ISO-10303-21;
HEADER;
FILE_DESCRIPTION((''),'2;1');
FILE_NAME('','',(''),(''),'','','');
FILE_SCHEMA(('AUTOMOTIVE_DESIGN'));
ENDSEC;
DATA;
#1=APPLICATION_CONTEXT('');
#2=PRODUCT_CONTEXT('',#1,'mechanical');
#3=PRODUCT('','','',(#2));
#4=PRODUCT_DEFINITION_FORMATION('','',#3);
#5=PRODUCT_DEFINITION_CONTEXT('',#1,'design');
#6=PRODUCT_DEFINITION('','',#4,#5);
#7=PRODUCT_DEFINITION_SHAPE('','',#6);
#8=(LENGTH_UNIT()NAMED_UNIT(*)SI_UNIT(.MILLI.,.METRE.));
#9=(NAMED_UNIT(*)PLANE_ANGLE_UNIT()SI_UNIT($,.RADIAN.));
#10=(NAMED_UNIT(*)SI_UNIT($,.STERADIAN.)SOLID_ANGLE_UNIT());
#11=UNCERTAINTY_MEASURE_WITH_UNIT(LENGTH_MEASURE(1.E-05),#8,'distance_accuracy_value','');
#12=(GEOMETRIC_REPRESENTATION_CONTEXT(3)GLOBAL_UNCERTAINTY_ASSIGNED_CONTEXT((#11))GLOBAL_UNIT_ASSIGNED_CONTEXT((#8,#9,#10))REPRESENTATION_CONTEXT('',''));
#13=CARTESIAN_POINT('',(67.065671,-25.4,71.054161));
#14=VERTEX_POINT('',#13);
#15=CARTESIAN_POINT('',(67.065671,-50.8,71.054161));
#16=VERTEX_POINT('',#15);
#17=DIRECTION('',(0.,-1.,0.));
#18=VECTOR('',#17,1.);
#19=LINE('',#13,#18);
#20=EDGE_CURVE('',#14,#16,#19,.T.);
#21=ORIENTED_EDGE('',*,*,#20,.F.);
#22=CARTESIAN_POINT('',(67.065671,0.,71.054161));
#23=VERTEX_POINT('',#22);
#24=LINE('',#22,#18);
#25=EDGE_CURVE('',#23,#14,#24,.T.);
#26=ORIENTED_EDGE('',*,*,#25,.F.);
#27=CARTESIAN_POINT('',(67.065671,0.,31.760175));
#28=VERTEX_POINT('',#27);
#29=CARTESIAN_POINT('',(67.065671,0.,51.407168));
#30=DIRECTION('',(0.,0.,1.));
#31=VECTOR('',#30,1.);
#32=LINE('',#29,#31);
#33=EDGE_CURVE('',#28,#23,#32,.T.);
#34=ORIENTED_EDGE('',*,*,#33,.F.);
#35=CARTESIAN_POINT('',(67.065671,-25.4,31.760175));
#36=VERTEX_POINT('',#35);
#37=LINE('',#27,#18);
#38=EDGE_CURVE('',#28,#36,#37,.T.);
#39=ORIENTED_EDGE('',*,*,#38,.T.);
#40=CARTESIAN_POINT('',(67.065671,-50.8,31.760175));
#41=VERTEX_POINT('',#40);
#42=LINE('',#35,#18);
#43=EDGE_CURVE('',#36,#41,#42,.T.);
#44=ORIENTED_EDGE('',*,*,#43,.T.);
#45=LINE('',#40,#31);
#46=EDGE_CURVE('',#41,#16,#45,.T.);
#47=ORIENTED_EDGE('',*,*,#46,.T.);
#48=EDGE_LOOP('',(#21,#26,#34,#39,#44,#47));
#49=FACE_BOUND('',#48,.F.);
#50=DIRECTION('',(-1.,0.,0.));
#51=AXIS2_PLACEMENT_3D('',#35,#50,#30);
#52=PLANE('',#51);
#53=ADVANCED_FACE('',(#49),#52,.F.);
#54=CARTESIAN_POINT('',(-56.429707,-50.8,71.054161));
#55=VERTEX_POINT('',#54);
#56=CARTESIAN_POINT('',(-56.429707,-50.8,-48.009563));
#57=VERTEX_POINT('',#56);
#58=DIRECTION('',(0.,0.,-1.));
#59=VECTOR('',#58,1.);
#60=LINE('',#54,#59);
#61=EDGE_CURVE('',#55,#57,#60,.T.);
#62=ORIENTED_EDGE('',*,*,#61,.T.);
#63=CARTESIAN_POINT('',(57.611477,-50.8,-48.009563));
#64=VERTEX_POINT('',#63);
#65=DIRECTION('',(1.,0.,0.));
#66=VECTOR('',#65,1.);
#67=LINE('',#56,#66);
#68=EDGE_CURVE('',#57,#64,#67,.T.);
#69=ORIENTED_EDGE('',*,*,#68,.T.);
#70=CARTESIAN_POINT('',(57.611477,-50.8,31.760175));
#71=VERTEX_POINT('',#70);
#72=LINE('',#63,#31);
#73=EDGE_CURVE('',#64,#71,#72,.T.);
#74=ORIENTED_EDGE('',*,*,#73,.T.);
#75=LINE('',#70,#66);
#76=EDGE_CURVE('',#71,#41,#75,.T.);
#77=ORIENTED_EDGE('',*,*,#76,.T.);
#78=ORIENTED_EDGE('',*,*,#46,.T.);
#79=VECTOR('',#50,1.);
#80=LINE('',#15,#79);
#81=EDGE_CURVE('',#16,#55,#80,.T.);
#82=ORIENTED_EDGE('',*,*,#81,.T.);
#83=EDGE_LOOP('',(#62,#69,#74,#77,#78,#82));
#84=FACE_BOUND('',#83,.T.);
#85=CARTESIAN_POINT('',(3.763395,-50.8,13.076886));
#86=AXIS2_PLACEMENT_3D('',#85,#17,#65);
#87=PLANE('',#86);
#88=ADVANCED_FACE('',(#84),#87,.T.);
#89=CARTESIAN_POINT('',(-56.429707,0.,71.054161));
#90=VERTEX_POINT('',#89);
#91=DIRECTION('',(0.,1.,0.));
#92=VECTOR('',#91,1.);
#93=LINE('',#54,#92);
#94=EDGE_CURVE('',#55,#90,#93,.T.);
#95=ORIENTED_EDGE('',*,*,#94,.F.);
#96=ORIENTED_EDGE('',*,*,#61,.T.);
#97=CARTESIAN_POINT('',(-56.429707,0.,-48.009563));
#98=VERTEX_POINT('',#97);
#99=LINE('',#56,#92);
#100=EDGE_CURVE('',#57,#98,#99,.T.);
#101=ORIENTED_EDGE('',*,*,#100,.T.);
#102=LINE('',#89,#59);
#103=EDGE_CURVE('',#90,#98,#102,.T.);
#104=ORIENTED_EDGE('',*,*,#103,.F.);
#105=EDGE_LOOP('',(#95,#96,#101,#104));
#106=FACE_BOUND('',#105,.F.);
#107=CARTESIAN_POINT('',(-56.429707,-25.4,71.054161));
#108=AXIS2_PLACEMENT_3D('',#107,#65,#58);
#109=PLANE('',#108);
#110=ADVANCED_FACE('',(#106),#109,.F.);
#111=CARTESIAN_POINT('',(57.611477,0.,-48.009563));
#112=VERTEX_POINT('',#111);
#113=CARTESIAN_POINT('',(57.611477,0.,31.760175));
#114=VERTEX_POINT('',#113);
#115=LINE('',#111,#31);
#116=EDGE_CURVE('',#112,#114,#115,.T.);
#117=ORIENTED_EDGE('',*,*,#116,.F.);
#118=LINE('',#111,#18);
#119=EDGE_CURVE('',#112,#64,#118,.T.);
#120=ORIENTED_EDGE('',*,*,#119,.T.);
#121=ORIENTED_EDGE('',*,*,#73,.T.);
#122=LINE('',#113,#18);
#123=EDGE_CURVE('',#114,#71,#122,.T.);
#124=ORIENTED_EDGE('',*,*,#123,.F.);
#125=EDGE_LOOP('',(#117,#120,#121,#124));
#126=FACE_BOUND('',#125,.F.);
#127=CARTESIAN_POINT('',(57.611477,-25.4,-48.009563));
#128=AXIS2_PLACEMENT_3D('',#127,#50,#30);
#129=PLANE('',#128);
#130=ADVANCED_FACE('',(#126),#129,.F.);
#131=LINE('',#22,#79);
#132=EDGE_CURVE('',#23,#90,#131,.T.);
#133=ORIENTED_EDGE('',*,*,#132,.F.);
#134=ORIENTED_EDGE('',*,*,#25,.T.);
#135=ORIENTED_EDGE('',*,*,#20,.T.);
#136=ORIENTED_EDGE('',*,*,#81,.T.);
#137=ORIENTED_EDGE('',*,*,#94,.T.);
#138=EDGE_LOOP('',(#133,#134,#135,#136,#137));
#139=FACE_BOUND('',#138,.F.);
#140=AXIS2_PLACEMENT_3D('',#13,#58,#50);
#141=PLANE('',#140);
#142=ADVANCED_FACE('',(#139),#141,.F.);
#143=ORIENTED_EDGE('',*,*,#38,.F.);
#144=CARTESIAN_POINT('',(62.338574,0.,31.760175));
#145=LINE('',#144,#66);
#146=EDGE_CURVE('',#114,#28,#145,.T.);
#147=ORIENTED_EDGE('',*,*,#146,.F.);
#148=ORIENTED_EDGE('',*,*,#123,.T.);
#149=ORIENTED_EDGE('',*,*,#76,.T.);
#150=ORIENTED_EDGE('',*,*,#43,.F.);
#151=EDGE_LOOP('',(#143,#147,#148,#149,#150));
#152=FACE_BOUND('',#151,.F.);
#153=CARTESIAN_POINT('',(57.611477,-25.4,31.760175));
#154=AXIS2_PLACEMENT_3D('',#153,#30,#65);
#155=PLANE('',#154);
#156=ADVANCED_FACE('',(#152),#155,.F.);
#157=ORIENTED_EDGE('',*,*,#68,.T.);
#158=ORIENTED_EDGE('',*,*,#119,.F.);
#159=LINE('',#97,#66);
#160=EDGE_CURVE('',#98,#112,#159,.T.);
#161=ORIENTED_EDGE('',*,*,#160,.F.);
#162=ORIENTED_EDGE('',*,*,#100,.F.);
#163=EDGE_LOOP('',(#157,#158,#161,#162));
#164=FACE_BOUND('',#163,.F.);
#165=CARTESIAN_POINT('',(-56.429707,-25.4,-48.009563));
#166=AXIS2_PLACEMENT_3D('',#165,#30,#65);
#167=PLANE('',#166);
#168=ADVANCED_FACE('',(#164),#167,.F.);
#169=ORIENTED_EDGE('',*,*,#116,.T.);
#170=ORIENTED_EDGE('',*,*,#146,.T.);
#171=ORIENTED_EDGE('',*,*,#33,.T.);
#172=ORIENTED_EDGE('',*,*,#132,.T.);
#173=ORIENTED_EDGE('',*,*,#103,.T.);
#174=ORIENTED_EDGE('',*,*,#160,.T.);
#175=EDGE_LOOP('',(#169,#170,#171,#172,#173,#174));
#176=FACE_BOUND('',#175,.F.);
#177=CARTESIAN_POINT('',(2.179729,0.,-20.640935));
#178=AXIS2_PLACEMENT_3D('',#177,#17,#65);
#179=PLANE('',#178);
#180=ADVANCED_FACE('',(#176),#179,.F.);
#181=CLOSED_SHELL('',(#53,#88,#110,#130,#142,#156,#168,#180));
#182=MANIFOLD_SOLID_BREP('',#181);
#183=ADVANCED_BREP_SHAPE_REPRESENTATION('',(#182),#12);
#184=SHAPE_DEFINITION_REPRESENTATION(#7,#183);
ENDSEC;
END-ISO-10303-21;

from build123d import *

# Parameters (mm, degrees)
F0_W     = 11.2268552184
F0_H     = 15.0676164776
F0_W_2   = 3.2498771325
F0_H_2   = 23.4877597541
F0_W_3   = 11.2268533558
F0_H_3   = 7.9769734293
F0_W_4   = 6.2043135986
F0_W_5   = 7.6815309003
F0_H_4   = 17.4311641604
F0_W_6   = 2.3635476828
F0_H_5   = 17.4311622977
F0_W_7   = 12.4086262658
F0_H_6   = 10.6359645724
F0_W_8   = 9.4541944563
F0_H_7   = 39.2939858139
F0_W_9   = 6.7952014506
F0_H_8   = 28.9534609765
F0_H_9   = 20.0901571661
F0_W_10  = 11.5222912282
F0_H_10  = 31.3170077279
F0_W_11  = 17.4311641604
F0_H_11  = 1.7726588994
F0_W_12  = 0.2954434603
F0_W_13  = 2.9544346035
F0_H_12  = 3.988484852
F0_H_13  = 1.4772191644
F0_W_14  = 2.3635486141
F0_H_14  = 0.5908887833
F1_DEPTH = 25.4
F3_DEPTH = 25.4


with BuildPart() as f1:
    # F0 (on Front) → F1 (new body)
    with BuildSketch(Plane.XZ):
        Polygon((46.3846214116, 12.55635079), (39.2939783633, 12.55635079), (39.2939783633, -8.7155802175), (39.2939783633, -24.6695280075), (39.2939783633, -26.1467471719), (39.2939783633, -43.5779094696), (36.9304306805, -43.5779094696), (36.9304306805, -26.1467471719), (17.1357225627, -26.1467471719), (14.7721739486, -26.1467471719), (13.8858417049, -26.1467471719), (13.8858417049, -27.9194060713), (-3.5453224555, -27.9194060713), (-3.5453224555, -26.1467471719), (-26.8853586167, -26.1467471719), (-26.8853586167, -22.6014237851), (-36.3395474851, -22.6014237851), (-36.3395474851, 26.4421943575), (-56.4297065139, 26.4421943575), (-56.4297065139, -48.0095632374), (7.6815309003, -48.0095632374), (7.6815309003, -37.373598665), (20.0901571661, -37.373598665), (20.0901571661, -48.0095632374), (57.61147663, -48.0095632374), (57.61147663, 16.6925583035), (46.3846214116, 16.6925583035), align=None)
        with Locations((51.9980490208, 24.2263665423)):
            Rectangle(F0_W, F0_H)
        with Locations((1.6249385662, 11.743879877)):
            Rectangle(F0_W_2, F0_H_2)
        Polygon((3.2498771325, 0), (0, 0), (-6.2043135986, 0), (-6.2043135986, 23.4877597541), (0, 23.4877597541), (0, 26.4421943575), (-19.7947137058, 26.4421943575), (-19.7947137058, 6.3520371914), (-20.0901571661, 6.3520371914), (-20.0901571661, -22.6014237851), (-26.8853586167, -22.6014237851), (-26.8853586167, -26.1467471719), (-3.5453224555, -26.1467471719), (-3.5453224555, -22.6014237851), (-9.158748202, -22.6014237851), (-9.158748202, -12.5563461334), (7.6815309003, -12.5563461334), (7.6815309003, -14.6244503558), (13.8858417049, -14.6244503558), (13.8858417049, -26.1467471719), (14.7721739486, -26.1467471719), (14.7721739486, -25.5558583885), (14.7721739486, -8.7155802175), (39.2939783633, -8.7155802175), (39.2939783633, 12.55635079), (27.7716871351, 12.55635079), (27.7716871351, 8.1246979535), (31.3170067966, 8.1246979535), (31.3170067966, -6.6474759951), (9.1587463394, -6.6474759951), (9.1587463394, 0), align=None)
        Polygon((-9.158748202, -22.6014237851), (-3.5453224555, -22.6014237851), (-3.5453224555, -14.6244503558), (7.6815309003, -14.6244503558), (7.6815309003, -12.5563461334), (-9.158748202, -12.5563461334), align=None)
        with Locations((2.0681042224, -18.6129370704)):
            Rectangle(F0_W_3, F0_H_3)
        Polygon((-20.0901571661, 26.4421943575), (-19.7947137058, 26.4421943575), (-19.7947137058, 54.5093230903), (-26.8853586167, 54.5093230903), (-26.8853586167, 26.4421943575), align=None)
        with Locations((-3.1021567993, 11.743879877)):
            Rectangle(F0_W_4, F0_H_2)
        with Locations((3.8407654501, 35.1577764377)):
            Rectangle(F0_W_5, F0_H_4)
        Polygon((24.8172525316, 0), (9.1587463394, 0), (9.1587463394, -6.6474759951), (31.3170067966, -6.6474759951), (31.3170067966, 8.1246979535), (27.7716871351, 8.1246979535), (27.7716871351, 0), (27.7716871351, -3.988484852), (24.8172525316, -3.988484852), align=None)
        with Locations((38.1122045219, -34.8623283207)):
            Rectangle(F0_W_6, F0_H_5)
        Polygon((9.1587463394, 8.1246979535), (9.1587463394, 0), (24.8172525316, 0), (27.7716871351, 0), (27.7716871351, 8.1246979535), align=None)
        with Locations((13.8858440332, -42.6915809512)):
            Rectangle(F0_W_7, F0_H_6)
        with Locations((62.3385738581, 51.407167688)):
            Rectangle(F0_W_8, F0_H_7)
        Polygon((3.2498771325, 23.4877597541), (3.2498771325, 0), (9.1587463394, 0), (9.1587463394, 8.1246979535), (27.7716871351, 8.1246979535), (27.7716871351, 12.55635079), (27.7716871351, 43.8733585179), (7.6815309003, 43.8733585179), (7.6815309003, 26.4421943575), (0, 26.4421943575), (0, 23.4877597541), align=None)
        with Locations((-23.4877578914, -8.1246932968)):
            Rectangle(F0_W_9, F0_H_8)
        Polygon((-26.8853586167, 6.3520371914), (-26.8853586167, 26.4421943575), (-36.3395474851, 26.4421943575), (-36.3395474851, -22.6014237851), (-26.8853586167, -22.6014237851), align=None)
        Polygon((-26.8853586167, 54.5093230903), (-19.7947137058, 54.5093230903), (7.6815309003, 54.5093230903), (7.6815309003, 61.5999698639), (-56.4297065139, 61.5999698639), (-56.4297065139, 26.4421943575), (-36.3395474851, 26.4421943575), (-26.8853586167, 26.4421943575), align=None)
        Polygon((-3.5453224555, -22.6014237851), (-3.5453224555, -26.1467471719), (13.8858417049, -26.1467471719), (13.8858417049, -14.6244503558), (7.6815309003, -14.6244503558), (7.6815309003, -22.6014237851), align=None)
        with Locations((-23.4877578914, 16.3971157745)):
            Rectangle(F0_W_9, F0_H_9)
        Polygon((39.2939783633, -24.6695280075), (39.2939783633, -8.7155802175), (14.7721739486, -8.7155802175), (14.7721739486, -25.5558583885), (17.1357225627, -25.5558583885), (17.1357225627, -26.1467471719), (36.9304306805, -26.1467471719), (36.9304306805, -24.6695280075), align=None)
        Polygon((39.2939783633, 43.8733585179), (39.2939783633, 12.55635079), (46.3846214116, 12.55635079), (46.3846214116, 16.6925583035), (46.3846214116, 31.7601747811), (46.3846214116, 43.8733585179), align=None)
        Polygon((7.6815309003, 61.5999698639), (7.6815309003, 54.5093230903), (39.2939783633, 54.5093230903), (39.2939783633, 43.8733585179), (46.3846214116, 43.8733585179), (46.3846214116, 31.7601747811), (57.61147663, 31.7601747811), (57.61147663, 71.0541605949), (-56.4297065139, 71.0541605949), (-56.4297065139, 61.5999698639), align=None)
        Polygon((7.6815309003, 54.5093230903), (7.6815309003, 43.8733585179), (27.7716871351, 43.8733585179), (39.2939783633, 43.8733585179), (39.2939783633, 54.5093230903), align=None)
        with Locations((33.5328327492, 28.2148546539)):
            Rectangle(F0_W_10, F0_H_10)
        Polygon((-19.7947137058, 26.4421943575), (0, 26.4421943575), (0, 43.8733585179), (7.6815309003, 43.8733585179), (7.6815309003, 54.5093230903), (-19.7947137058, 54.5093230903), align=None)
        with Locations((5.1702596247, -27.0330766216)):
            Rectangle(F0_W_11, F0_H_11)
        with Locations((-19.942435436, 16.3971157745)):
            Rectangle(F0_W_12, F0_H_9)
        with Locations((26.2944698334, -1.994242426)):
            Rectangle(F0_W_13, F0_H_12)
        with Locations((38.1122045219, -25.4081375897)):
            Rectangle(F0_W_6, F0_H_13)
        with Locations((15.9539482556, -25.8513027802)):
            Rectangle(F0_W_14, F0_H_14)
    extrude(amount=F1_DEPTH)

    # F2 (on face) → F3 (join)
    with BuildSketch(Plane.XZ.offset(25.4)):
        Polygon((-56.4297065139, -48.0095632374), (57.61147663, -48.0095632374), (57.61147663, 31.7601747811), (67.0656710863, 31.7601747811), (67.0656710863, 71.0541605949), (-56.4297065139, 71.0541605949), align=None)
    extrude(amount=F3_DEPTH)


solid = f1.part
